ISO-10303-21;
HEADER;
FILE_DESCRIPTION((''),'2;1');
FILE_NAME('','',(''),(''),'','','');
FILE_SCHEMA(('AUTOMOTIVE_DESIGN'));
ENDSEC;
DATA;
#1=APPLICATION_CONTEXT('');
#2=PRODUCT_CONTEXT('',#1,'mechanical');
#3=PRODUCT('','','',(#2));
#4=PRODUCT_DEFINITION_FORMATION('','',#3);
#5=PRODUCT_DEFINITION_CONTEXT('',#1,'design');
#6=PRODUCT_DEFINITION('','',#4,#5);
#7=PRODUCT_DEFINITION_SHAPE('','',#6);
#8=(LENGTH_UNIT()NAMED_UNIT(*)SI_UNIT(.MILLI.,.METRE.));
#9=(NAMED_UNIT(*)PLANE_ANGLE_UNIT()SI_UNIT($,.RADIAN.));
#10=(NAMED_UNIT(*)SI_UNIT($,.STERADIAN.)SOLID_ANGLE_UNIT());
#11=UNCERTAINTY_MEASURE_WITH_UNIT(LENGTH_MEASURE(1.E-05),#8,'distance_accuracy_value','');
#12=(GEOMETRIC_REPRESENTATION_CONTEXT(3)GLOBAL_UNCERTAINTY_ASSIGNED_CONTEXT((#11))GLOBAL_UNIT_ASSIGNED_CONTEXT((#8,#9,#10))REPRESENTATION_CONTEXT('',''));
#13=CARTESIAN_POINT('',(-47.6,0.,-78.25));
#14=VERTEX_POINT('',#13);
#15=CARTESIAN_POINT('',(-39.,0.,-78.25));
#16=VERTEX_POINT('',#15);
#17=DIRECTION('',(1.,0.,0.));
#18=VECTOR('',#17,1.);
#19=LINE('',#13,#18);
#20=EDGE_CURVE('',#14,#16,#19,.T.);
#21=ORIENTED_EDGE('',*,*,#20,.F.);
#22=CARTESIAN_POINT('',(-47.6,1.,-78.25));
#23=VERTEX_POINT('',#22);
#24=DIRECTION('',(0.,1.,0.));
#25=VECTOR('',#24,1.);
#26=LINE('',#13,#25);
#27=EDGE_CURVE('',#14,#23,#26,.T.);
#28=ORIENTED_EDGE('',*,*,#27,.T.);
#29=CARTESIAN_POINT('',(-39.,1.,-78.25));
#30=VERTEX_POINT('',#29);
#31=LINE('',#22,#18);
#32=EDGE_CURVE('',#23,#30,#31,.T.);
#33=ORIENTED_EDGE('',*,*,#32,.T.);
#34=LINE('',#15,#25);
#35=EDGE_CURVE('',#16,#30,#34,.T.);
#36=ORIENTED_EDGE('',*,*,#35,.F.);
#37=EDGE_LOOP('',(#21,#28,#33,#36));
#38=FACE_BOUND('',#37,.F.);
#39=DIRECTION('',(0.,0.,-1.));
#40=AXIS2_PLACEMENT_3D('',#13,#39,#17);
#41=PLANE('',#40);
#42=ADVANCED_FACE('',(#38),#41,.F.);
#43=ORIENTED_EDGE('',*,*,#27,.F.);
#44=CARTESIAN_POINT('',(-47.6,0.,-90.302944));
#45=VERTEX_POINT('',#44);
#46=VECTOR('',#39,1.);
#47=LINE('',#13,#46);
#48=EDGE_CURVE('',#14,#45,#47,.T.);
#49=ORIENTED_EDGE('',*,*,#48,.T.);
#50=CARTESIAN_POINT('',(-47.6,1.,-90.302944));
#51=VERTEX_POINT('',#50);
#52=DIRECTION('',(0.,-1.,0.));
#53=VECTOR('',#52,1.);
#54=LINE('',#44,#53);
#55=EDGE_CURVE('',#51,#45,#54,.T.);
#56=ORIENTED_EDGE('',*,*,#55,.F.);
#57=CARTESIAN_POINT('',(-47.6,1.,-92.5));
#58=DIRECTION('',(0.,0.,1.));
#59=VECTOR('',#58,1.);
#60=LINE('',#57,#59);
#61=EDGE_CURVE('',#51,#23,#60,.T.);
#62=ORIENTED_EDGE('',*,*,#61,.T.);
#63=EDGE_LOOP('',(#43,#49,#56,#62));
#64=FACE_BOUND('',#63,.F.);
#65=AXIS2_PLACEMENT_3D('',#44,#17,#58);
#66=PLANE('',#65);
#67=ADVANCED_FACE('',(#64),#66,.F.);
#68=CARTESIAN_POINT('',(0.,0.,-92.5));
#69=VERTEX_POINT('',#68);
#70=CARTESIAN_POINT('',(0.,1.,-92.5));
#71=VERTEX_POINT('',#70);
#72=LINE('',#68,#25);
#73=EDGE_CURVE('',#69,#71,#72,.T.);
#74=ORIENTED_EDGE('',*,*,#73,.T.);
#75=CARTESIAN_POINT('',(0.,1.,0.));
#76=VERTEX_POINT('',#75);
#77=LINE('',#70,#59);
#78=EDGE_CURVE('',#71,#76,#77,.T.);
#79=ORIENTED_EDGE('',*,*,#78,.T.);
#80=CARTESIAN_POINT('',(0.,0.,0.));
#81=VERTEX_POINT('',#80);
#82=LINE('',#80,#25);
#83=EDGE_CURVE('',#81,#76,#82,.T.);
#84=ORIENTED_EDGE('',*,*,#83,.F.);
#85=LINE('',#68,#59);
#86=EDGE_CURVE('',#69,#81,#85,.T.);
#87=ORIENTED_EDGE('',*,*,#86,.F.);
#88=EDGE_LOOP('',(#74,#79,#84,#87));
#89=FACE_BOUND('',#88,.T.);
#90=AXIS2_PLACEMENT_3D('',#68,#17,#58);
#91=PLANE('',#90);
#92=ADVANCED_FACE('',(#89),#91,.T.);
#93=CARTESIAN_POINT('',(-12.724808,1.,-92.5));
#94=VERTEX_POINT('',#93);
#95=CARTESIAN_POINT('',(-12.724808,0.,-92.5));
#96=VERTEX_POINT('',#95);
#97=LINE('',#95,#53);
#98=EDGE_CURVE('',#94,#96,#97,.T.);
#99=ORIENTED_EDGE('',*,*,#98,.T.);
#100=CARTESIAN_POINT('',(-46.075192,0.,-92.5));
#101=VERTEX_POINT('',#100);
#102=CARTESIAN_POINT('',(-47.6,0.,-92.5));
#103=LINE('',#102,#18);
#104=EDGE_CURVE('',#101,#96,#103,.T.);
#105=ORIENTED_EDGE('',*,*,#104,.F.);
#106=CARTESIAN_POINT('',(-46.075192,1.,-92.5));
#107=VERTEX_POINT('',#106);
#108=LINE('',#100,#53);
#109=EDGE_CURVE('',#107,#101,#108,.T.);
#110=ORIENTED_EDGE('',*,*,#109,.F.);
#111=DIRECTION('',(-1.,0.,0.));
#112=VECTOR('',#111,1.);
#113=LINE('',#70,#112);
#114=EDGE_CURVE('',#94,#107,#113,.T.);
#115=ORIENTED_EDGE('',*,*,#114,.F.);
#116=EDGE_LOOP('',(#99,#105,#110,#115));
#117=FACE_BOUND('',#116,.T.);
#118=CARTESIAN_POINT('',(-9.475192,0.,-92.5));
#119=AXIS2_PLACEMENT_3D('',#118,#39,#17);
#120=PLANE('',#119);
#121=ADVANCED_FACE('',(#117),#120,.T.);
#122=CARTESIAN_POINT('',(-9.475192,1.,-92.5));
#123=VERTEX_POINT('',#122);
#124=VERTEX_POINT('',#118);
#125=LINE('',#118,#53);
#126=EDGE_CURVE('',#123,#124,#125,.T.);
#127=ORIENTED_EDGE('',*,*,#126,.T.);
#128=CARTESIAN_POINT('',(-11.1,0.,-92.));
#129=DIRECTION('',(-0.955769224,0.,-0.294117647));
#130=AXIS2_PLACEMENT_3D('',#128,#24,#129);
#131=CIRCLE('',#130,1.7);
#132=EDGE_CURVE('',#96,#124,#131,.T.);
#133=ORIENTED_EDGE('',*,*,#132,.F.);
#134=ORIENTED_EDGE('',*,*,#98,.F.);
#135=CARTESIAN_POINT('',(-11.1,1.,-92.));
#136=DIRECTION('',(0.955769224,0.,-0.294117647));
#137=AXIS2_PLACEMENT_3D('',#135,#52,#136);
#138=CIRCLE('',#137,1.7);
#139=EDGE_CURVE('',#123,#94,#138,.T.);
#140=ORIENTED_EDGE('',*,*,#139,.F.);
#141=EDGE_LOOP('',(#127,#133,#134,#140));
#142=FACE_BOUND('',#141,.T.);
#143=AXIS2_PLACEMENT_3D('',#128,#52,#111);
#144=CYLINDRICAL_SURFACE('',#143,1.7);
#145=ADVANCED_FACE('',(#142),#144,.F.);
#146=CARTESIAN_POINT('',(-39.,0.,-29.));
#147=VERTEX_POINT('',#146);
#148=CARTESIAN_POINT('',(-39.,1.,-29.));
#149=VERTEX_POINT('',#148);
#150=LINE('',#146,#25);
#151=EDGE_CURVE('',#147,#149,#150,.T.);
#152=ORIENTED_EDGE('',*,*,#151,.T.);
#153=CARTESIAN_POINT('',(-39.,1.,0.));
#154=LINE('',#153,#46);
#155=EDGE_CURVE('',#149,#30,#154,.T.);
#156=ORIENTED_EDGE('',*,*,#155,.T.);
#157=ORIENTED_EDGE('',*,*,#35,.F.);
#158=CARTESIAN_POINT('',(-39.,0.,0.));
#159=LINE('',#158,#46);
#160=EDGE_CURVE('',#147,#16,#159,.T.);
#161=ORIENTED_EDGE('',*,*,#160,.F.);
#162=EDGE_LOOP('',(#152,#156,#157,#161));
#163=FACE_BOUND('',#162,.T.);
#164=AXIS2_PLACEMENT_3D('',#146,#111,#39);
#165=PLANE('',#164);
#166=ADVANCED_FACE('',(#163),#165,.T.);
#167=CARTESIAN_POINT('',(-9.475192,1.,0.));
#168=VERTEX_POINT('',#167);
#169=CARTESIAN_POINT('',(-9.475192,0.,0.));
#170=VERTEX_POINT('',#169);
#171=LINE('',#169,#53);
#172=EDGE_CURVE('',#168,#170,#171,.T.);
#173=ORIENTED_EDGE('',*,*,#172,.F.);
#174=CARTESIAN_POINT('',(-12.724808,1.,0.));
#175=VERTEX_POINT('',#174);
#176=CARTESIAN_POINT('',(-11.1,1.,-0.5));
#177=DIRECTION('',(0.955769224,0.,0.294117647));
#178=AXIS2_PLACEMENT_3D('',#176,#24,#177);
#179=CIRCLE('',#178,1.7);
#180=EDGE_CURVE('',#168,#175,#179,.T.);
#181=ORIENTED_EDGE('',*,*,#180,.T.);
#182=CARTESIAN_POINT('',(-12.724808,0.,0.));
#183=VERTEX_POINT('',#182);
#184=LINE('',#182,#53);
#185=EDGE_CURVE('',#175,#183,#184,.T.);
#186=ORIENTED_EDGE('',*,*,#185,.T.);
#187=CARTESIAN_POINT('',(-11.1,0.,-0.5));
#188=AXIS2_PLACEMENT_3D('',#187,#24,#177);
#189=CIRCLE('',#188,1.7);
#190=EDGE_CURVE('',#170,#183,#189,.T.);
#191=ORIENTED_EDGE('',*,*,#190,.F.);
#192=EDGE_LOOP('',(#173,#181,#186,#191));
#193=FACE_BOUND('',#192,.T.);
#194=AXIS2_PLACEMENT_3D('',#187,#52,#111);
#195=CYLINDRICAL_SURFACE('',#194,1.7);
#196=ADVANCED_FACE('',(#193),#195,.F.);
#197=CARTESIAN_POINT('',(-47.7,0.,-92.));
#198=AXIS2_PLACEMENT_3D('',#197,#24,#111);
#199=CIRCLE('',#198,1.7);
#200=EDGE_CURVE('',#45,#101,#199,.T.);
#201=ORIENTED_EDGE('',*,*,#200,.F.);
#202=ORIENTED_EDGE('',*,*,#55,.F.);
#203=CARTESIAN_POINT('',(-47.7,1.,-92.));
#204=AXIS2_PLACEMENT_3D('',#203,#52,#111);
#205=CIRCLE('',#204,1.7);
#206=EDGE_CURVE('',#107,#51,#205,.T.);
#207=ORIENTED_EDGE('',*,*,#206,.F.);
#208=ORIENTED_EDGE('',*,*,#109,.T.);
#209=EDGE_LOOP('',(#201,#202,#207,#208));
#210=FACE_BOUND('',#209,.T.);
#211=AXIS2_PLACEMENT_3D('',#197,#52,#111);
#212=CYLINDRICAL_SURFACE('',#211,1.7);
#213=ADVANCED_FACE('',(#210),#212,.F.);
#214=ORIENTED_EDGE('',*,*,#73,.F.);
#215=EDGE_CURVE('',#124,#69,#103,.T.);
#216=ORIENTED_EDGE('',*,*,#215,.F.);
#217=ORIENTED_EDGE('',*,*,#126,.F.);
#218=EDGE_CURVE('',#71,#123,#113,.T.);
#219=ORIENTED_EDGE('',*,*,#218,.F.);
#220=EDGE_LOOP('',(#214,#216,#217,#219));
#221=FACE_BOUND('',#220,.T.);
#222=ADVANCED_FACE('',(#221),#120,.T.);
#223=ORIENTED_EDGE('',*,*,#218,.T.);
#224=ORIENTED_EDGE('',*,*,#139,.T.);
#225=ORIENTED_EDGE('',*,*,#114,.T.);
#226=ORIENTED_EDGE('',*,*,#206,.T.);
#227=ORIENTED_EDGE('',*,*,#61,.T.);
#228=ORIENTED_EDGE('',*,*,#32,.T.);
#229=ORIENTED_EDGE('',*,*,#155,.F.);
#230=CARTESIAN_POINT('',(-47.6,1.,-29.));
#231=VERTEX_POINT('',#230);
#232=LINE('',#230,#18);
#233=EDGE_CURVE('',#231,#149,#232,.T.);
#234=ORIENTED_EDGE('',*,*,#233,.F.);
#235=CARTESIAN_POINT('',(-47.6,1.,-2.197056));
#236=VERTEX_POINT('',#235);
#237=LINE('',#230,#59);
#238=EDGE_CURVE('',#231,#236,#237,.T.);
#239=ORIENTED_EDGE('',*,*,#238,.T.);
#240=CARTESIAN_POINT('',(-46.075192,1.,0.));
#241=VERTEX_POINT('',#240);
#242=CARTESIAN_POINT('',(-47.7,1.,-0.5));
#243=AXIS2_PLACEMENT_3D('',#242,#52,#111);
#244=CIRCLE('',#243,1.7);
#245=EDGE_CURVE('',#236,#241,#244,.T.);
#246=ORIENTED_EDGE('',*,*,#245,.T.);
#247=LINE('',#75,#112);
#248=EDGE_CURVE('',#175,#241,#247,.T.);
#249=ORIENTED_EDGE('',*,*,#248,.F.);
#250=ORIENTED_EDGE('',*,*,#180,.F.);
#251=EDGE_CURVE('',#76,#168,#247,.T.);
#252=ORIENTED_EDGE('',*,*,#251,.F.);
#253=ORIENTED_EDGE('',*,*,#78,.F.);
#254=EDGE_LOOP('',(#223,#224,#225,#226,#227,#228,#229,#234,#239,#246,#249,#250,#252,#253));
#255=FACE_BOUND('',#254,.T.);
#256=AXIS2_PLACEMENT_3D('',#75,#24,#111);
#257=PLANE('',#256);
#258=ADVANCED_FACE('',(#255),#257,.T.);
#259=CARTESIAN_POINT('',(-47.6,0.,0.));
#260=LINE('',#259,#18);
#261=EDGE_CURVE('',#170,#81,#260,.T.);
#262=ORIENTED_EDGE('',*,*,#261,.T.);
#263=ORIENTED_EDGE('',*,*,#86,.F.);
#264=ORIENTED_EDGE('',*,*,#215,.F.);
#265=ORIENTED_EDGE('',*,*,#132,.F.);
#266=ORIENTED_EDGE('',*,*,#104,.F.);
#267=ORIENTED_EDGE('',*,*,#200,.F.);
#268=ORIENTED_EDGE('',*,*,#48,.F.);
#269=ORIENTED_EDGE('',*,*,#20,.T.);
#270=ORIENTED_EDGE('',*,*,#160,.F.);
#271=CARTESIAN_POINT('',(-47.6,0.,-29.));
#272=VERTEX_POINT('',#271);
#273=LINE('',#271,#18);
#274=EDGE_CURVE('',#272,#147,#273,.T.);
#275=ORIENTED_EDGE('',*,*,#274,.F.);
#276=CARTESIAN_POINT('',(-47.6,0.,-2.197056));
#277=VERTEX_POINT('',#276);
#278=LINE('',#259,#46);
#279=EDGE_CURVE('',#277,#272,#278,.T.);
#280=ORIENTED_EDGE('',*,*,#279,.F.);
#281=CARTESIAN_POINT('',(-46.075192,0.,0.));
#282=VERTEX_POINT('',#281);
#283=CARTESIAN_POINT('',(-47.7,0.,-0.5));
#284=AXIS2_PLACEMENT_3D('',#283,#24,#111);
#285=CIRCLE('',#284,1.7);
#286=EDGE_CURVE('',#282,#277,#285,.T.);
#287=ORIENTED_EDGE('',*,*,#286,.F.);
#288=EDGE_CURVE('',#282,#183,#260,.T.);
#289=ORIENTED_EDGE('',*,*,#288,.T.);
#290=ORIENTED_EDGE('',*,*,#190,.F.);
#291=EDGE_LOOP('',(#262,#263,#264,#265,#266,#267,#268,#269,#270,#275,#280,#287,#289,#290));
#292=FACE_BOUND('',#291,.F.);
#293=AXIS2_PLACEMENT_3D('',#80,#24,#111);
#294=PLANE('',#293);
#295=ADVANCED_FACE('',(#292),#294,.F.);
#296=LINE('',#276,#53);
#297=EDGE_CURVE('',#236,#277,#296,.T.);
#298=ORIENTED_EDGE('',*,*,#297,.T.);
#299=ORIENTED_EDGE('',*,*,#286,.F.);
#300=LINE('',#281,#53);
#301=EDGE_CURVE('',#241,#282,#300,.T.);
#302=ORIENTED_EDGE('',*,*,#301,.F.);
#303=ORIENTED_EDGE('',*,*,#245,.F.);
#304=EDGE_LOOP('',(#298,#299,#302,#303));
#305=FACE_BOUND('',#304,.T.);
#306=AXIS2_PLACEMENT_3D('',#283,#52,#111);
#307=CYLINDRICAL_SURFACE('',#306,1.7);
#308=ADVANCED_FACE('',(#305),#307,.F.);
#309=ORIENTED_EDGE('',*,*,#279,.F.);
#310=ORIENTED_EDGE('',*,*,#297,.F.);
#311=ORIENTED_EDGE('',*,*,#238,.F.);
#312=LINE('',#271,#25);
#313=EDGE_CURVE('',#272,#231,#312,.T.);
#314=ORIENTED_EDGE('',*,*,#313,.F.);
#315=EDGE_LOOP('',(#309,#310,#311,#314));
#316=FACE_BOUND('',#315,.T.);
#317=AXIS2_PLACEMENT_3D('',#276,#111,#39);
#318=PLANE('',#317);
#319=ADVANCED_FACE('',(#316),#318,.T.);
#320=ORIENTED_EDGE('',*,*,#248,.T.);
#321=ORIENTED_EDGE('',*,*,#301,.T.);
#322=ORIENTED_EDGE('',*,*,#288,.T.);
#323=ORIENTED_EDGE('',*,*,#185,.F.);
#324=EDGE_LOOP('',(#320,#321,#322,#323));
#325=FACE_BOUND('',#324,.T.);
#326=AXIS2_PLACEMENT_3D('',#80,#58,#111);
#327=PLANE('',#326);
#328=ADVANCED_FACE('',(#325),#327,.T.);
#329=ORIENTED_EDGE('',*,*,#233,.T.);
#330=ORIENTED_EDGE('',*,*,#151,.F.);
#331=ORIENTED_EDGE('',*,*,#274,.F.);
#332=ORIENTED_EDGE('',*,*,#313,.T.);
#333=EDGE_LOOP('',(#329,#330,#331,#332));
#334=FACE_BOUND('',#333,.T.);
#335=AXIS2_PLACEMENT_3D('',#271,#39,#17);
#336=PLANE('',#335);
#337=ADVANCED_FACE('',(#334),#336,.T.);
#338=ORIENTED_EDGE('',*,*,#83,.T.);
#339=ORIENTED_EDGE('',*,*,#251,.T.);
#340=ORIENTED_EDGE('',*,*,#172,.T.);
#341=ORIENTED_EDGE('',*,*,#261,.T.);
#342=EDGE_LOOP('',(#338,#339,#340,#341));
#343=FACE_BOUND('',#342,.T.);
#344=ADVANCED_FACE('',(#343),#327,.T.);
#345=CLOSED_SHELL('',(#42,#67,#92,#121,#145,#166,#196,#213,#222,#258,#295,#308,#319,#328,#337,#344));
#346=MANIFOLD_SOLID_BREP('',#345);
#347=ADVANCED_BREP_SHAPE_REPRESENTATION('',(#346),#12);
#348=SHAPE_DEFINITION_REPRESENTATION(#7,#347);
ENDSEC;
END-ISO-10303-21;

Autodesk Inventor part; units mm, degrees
ref_plane "YZ Plane" through (0, 0, 0) normal (1, 0, 0) x (0, 1, 0)
ref_plane "XZ Plane" through (0, 0, 0) normal (0, 1, 0) x (-1, 0, 0)
ref_plane "XY Plane" through (0, 0, 0) normal (0, 0, 1) x (1, 0, 0)
sketch "Szkic1" plane through (0, 0, 0) normal (0, 1, 0) x (-1, 0, 0)
  line L0 (0, 0) -> (39, 0)
  line L1 (39, 0) -> (39, -92.5)
  line L2 (39, -92.5) -> (0, -92.5)
  line L3 (0, -92.5) -> (0, 0)
  line L4 (39, 0) -> (47.6, 0)
  line L5 (47.6, 0) -> (47.6, -29)
  line L6 (47.6, -29) -> (39, -29)
  line L7 (39, -29) -> (39, 0)
  line L8 (0, -46.25) -> (39, -46.25) construction
  line L9 (0, 0) -> (7.8, 0) construction
  line L10 (7.8, 0) -> (7.8, -5) construction
  line L11 (7.8, -5) -> (0, -5) construction
  line L12 (0, -5) -> (0, 0) construction
  line L13 (0, -92.5) -> (7.8, -92.5) construction
  line L14 (7.8, -92.5) -> (7.8, -87.5) construction
  line L15 (7.8, -87.5) -> (0, -87.5) construction
  line L16 (0, -87.5) -> (0, -92.5) construction
  line L17 (39, -92.5) -> (47.6, -92.5)
  line L18 (47.6, -92.5) -> (47.6, -78.25)
  line L19 (47.6, -78.25) -> (39, -78.25)
  line L20 (39, -78.25) -> (39, -92.5)
  line L21 (39, -92.5) -> (18, -92.5) construction
  line L22 (18, -92.5) -> (18, -29.5) construction
  line L23 (18, -29.5) -> (39, -29.5) construction
  line L24 (39, -29.5) -> (39, -92.5) construction
  circle A0 centre (47.7, -0.5) radius 1.7
  circle A1 centre (11.1, -0.5) radius 1.7
  circle A2 centre (47.7, -92) radius 1.7
  circle A3 centre (11.1, -92) radius 1.7
  point P0 (13.8, -33.8)
  point P1 (13.8, -58.7)
  dimension "d0" = 39
  dimension "d1" = 92.5
  dimension "d2" = 8.6
  dimension "d3" = 29
  dimension "d4" = 33.8
  dimension "d5" = 33.8
  dimension "d6" = 5
  dimension "d7" = 7.8
  dimension "d9" = 14.25
  dimension "d10" = 63
  dimension "d11" = 21
  dimension "d12" = 0.1
  dimension "d13" = 3.4
  dimension "d14" = 0.5
  dimension "d15" = 36.6
extrude "Plytka" add sketch "Szkic1" along normal blind 1 contours L0 A1 L1 L2 A3 L3 | L0 A1 | A3 L2 | L4 A0 L5 L6 L1 | L4 L5 A0 | L1 L19 L18 A2 L17 | A2 L18 L17 picked at (10.5661, -0.3857) picked at (10.6392, -91.3315) picked at (47.4739, -1.4428) picked at (47.4739, -91.0572)
extrude "Otwory" cut sketch "Szkic1" along normal up to surface (1 mm away) contours A1 L0 | L0 A1 | A3 L2 | L2 A3 | A0 L5 L4 | L4 L5 A0 | A2 L18 L17 | L17 L18 A2
sketch "Marginesy(Nie dotycza spodu plytki w strefie czujnika lini)" plane through (0, 1, 0) normal (0, 1, 0) x (1, 0, 0)
  line L0 (-47.6, 0) -> (-39, 0)
  line L1 (-39, 0) -> (-39, 2.4)
  line L2 (-39, 2.4) -> (-47.6, 2.4)
  line L3 (-47.6, 2.4) -> (-47.6, 0)
  line L4 (-46.0752, 0) -> (-12.7248, 0) projected
  line L5 (-47.6, 29) -> (-47.6, 2.1971) projected
  line L6 (-39, 78.25) -> (-39, 29) projected
  line L7 (-39, 0) -> (-16.9, 0)
  line L8 (-16.9, 0) -> (-16.9, 0.4)
  line L9 (-16.9, 0.4) -> (-39, 0.4)
  line L10 (-39, 0.4) -> (-39, 0)
  line L11 (0, 0) -> (0, 92.5) projected
  line L12 (-16.9, 0) -> (0, 0)
  line L13 (0, 0) -> (0, 2.4)
  line L14 (0, 2.4) -> (-16.9, 2.4)
  line L15 (-16.9, 2.4) -> (-16.9, 0)
  line L16 (0, 46.25) -> (-39, 46.25) construction
  line L17 (-47.6, 92.5) -> (-39, 92.5)
  line L18 (-39, 92.5) -> (-39, 90.1)
  line L19 (-39, 90.1) -> (-47.6, 90.1)
  line L20 (-47.6, 90.1) -> (-47.6, 92.5)
  line L21 (-46.0752, 92.5) -> (-12.7248, 92.5)
  line L22 (-39, 92.5) -> (-16.9, 92.5)
  line L23 (-16.9, 92.5) -> (-16.9, 92.1)
  line L24 (-16.9, 92.1) -> (-39, 92.1)
  line L25 (-39, 92.1) -> (-39, 92.5)
  line L26 (-16.9, 92.5) -> (0, 92.5)
  line L27 (0, 92.5) -> (0, 90.1)
  line L28 (0, 90.1) -> (-16.9, 90.1)
  line L29 (-16.9, 90.1) -> (-16.9, 92.5)
  arc A0 (-47.6, 90.3029) -> (-46.0752, 92.5) centre (-47.7, 92) ccw construction
  circle A1 centre (-47.7, 92) radius 2.85 construction
  arc A2 (-12.7248, 92.5) -> (-9.4752, 92.5) centre (-11.1, 92) ccw construction
  circle A3 centre (-11.1, 92) radius 2.85 construction
  arc A4 (-46.0752, 0) -> (-47.6, 2.1971) centre (-47.7, 0.5) ccw construction
  arc A5 (-9.4752, 0) -> (-12.7248, 0) centre (-11.1, 0.5) ccw construction
  circle A6 centre (-47.7, 0.5) radius 2.85 construction
  circle A7 centre (-11.1, 0.5) radius 2.85 construction
  point P0 (0, 92.5)
  dimension "d20" = 2.4
  dimension "d21" = 0.4
  dimension "d22" = 22.1
  dimension "d24" = 5.7
properties part number "PlytkaWymiary"
